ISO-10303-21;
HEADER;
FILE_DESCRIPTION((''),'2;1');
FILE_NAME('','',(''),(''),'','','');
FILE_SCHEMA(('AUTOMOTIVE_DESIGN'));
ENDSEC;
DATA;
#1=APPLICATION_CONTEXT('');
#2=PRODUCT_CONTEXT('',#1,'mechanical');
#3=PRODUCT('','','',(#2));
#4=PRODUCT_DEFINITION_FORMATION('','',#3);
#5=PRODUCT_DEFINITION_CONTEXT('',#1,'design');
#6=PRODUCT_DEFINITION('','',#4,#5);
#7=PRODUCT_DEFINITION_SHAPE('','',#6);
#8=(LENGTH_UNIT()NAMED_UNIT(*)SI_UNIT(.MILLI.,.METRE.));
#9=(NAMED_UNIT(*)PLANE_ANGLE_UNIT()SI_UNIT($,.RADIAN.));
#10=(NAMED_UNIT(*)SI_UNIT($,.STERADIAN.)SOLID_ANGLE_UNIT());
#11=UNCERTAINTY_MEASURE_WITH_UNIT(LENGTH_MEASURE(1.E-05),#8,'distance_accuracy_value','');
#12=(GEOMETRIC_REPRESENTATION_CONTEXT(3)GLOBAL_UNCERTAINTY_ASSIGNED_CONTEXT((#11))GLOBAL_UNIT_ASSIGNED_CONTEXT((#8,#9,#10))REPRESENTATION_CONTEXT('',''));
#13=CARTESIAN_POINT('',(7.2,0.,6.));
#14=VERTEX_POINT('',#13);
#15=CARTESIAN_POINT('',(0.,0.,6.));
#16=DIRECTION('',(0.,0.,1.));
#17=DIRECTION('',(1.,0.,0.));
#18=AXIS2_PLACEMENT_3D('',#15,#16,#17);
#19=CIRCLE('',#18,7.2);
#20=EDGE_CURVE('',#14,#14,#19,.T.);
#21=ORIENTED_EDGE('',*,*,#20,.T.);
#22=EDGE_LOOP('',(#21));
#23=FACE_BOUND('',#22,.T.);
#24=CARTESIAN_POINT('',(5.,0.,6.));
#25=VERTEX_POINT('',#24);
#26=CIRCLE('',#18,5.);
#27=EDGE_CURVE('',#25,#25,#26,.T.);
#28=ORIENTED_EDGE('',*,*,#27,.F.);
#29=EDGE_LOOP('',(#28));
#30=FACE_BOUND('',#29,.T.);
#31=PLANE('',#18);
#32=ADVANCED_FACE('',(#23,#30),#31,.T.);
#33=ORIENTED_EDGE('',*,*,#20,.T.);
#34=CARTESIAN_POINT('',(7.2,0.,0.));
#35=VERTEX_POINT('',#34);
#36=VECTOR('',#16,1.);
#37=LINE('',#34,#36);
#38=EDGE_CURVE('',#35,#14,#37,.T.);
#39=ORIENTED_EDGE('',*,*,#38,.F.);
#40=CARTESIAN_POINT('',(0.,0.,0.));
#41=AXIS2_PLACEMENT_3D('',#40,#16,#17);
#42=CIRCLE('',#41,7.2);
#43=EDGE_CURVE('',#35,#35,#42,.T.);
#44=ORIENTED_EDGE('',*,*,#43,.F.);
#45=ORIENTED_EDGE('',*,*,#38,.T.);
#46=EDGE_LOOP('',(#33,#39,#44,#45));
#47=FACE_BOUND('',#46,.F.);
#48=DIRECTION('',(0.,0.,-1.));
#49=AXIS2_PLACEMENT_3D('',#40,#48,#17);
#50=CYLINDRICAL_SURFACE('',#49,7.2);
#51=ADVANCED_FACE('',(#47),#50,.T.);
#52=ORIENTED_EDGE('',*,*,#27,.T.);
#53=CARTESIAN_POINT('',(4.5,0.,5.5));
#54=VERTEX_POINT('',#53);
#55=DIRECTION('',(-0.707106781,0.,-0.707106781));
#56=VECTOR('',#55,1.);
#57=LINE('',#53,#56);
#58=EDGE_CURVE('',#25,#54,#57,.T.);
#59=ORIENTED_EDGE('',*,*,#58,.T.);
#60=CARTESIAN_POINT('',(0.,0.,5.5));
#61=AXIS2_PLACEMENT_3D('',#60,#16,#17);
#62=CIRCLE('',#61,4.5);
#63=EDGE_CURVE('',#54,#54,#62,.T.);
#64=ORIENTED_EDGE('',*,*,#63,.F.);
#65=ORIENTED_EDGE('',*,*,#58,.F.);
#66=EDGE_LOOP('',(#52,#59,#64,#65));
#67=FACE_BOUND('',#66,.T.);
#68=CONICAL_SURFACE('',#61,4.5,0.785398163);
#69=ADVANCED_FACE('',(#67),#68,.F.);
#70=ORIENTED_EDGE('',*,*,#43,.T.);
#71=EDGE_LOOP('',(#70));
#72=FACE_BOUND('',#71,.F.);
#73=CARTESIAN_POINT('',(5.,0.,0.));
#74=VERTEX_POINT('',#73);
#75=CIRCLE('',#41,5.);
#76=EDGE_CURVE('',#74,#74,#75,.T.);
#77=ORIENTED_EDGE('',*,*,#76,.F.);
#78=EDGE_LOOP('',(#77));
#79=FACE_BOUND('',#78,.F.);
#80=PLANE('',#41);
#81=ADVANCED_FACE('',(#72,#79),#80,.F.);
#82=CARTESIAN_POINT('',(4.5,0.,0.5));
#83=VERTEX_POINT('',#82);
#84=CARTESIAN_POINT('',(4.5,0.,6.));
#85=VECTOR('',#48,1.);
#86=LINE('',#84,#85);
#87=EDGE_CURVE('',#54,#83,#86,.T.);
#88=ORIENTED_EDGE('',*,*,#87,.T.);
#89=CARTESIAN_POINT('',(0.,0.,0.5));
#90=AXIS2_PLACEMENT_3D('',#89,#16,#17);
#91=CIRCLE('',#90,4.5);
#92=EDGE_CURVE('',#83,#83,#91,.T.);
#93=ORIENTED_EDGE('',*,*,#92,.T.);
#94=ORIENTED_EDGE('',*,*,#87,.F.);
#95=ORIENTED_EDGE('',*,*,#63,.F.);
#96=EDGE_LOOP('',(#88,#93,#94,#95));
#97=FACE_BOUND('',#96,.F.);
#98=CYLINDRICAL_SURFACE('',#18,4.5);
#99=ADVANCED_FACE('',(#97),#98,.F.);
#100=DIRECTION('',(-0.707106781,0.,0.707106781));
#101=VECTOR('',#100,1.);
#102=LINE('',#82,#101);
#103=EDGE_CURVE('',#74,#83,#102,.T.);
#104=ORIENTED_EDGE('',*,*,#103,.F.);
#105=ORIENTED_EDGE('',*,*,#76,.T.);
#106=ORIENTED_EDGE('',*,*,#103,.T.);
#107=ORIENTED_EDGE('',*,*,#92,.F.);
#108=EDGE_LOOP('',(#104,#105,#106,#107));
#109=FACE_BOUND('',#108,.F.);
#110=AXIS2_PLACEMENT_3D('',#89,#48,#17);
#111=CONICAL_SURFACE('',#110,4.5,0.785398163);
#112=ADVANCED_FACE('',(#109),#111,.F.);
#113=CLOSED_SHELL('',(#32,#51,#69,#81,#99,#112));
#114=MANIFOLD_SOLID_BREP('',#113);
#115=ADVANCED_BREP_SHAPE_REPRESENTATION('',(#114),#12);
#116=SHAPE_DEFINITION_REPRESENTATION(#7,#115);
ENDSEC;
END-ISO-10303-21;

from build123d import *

# Parameters (mm, degrees)
F0_R     = 7.2
F1_DEPTH = 6
F2_R     = 4.5
F3_DEPTH = 6.001
F4_SIZE2 = 0.5
F4_SIZE  = 0.5


with BuildPart() as f1:
    # F0 (on Top) → F1 (new body)
    with BuildSketch(Plane.XY):
        Circle(F0_R)
    extrude(amount=F1_DEPTH)

    # F2 (on face) → F3 (cut, through all)
    with BuildSketch(Plane.XY.offset(6)):
        Circle(F2_R)
    extrude(amount=-F3_DEPTH, mode=Mode.SUBTRACT)

    # F4
    f4_edges = [f1.edges().sort_by_distance(p)[0] for p in [
        (-4.5, 0, 6),
        (-4.5, 0, 0),
    ]]
    chamfer(f4_edges, length=F4_SIZE, length2=F4_SIZE2)


solid = f1.part
